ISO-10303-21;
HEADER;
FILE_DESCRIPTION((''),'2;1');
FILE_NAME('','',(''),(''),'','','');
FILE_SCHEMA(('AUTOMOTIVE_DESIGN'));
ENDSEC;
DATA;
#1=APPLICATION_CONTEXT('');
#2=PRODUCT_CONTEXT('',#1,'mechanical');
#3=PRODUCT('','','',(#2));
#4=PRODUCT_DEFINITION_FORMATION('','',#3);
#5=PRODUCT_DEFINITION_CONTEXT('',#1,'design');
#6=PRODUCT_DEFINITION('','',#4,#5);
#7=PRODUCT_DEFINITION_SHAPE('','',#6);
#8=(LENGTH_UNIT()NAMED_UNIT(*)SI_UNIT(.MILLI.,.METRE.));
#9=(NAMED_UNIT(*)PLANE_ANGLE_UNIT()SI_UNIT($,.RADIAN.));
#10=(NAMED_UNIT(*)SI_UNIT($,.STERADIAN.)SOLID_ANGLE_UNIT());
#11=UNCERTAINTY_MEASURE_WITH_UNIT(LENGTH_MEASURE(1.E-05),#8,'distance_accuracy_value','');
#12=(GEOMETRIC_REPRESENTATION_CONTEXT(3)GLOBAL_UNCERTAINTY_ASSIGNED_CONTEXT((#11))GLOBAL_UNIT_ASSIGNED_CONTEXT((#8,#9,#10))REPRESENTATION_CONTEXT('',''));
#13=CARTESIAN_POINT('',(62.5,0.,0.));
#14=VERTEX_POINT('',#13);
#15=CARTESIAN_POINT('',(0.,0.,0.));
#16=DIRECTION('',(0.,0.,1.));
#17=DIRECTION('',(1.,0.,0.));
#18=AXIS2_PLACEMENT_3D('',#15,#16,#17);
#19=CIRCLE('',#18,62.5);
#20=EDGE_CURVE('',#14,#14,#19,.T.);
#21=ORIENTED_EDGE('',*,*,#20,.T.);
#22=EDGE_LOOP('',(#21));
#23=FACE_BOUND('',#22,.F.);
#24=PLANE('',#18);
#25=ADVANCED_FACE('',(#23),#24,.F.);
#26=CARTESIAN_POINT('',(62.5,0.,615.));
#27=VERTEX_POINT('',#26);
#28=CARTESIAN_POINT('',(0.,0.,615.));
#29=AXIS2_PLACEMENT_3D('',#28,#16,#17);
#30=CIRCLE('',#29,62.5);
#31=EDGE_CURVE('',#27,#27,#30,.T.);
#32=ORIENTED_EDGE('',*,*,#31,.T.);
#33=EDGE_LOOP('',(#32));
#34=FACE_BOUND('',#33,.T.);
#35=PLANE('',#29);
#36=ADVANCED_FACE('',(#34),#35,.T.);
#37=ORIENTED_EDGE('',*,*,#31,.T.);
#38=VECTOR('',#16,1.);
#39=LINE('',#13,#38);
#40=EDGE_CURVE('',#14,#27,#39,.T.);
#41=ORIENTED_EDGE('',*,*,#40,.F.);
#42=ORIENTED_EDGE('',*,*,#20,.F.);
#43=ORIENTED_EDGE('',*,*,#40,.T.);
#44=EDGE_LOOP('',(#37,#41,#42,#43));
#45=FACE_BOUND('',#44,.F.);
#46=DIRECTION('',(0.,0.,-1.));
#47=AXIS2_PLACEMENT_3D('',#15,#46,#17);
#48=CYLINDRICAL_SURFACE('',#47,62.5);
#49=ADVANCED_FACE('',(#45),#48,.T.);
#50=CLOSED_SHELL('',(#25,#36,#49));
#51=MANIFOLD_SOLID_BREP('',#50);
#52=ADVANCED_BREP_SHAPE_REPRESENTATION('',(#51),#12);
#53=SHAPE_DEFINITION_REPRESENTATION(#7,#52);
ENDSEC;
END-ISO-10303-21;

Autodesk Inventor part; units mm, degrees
ref_plane "YZ Plane" through (0, 0, 0) normal (1, 0, 0) x (0, 1, 0)
ref_plane "XZ Plane" through (0, 0, 0) normal (0, 1, 0) x (-1, 0, 0)
ref_plane "XY Plane" through (0, 0, 0) normal (0, 0, 1) x (1, 0, 0)
sketch "Sketch1" plane through (0, 0, 0) normal (0, 0, 1) x (1, 0, 0)
  circle A0 centre (0, 0) radius 62.5
  dimension "d2" = 615
  dimension "d4" = 125
extrude "Extrusion1" add sketch "Sketch1" along normal blind 615
properties part number "Hydraulic tank"
